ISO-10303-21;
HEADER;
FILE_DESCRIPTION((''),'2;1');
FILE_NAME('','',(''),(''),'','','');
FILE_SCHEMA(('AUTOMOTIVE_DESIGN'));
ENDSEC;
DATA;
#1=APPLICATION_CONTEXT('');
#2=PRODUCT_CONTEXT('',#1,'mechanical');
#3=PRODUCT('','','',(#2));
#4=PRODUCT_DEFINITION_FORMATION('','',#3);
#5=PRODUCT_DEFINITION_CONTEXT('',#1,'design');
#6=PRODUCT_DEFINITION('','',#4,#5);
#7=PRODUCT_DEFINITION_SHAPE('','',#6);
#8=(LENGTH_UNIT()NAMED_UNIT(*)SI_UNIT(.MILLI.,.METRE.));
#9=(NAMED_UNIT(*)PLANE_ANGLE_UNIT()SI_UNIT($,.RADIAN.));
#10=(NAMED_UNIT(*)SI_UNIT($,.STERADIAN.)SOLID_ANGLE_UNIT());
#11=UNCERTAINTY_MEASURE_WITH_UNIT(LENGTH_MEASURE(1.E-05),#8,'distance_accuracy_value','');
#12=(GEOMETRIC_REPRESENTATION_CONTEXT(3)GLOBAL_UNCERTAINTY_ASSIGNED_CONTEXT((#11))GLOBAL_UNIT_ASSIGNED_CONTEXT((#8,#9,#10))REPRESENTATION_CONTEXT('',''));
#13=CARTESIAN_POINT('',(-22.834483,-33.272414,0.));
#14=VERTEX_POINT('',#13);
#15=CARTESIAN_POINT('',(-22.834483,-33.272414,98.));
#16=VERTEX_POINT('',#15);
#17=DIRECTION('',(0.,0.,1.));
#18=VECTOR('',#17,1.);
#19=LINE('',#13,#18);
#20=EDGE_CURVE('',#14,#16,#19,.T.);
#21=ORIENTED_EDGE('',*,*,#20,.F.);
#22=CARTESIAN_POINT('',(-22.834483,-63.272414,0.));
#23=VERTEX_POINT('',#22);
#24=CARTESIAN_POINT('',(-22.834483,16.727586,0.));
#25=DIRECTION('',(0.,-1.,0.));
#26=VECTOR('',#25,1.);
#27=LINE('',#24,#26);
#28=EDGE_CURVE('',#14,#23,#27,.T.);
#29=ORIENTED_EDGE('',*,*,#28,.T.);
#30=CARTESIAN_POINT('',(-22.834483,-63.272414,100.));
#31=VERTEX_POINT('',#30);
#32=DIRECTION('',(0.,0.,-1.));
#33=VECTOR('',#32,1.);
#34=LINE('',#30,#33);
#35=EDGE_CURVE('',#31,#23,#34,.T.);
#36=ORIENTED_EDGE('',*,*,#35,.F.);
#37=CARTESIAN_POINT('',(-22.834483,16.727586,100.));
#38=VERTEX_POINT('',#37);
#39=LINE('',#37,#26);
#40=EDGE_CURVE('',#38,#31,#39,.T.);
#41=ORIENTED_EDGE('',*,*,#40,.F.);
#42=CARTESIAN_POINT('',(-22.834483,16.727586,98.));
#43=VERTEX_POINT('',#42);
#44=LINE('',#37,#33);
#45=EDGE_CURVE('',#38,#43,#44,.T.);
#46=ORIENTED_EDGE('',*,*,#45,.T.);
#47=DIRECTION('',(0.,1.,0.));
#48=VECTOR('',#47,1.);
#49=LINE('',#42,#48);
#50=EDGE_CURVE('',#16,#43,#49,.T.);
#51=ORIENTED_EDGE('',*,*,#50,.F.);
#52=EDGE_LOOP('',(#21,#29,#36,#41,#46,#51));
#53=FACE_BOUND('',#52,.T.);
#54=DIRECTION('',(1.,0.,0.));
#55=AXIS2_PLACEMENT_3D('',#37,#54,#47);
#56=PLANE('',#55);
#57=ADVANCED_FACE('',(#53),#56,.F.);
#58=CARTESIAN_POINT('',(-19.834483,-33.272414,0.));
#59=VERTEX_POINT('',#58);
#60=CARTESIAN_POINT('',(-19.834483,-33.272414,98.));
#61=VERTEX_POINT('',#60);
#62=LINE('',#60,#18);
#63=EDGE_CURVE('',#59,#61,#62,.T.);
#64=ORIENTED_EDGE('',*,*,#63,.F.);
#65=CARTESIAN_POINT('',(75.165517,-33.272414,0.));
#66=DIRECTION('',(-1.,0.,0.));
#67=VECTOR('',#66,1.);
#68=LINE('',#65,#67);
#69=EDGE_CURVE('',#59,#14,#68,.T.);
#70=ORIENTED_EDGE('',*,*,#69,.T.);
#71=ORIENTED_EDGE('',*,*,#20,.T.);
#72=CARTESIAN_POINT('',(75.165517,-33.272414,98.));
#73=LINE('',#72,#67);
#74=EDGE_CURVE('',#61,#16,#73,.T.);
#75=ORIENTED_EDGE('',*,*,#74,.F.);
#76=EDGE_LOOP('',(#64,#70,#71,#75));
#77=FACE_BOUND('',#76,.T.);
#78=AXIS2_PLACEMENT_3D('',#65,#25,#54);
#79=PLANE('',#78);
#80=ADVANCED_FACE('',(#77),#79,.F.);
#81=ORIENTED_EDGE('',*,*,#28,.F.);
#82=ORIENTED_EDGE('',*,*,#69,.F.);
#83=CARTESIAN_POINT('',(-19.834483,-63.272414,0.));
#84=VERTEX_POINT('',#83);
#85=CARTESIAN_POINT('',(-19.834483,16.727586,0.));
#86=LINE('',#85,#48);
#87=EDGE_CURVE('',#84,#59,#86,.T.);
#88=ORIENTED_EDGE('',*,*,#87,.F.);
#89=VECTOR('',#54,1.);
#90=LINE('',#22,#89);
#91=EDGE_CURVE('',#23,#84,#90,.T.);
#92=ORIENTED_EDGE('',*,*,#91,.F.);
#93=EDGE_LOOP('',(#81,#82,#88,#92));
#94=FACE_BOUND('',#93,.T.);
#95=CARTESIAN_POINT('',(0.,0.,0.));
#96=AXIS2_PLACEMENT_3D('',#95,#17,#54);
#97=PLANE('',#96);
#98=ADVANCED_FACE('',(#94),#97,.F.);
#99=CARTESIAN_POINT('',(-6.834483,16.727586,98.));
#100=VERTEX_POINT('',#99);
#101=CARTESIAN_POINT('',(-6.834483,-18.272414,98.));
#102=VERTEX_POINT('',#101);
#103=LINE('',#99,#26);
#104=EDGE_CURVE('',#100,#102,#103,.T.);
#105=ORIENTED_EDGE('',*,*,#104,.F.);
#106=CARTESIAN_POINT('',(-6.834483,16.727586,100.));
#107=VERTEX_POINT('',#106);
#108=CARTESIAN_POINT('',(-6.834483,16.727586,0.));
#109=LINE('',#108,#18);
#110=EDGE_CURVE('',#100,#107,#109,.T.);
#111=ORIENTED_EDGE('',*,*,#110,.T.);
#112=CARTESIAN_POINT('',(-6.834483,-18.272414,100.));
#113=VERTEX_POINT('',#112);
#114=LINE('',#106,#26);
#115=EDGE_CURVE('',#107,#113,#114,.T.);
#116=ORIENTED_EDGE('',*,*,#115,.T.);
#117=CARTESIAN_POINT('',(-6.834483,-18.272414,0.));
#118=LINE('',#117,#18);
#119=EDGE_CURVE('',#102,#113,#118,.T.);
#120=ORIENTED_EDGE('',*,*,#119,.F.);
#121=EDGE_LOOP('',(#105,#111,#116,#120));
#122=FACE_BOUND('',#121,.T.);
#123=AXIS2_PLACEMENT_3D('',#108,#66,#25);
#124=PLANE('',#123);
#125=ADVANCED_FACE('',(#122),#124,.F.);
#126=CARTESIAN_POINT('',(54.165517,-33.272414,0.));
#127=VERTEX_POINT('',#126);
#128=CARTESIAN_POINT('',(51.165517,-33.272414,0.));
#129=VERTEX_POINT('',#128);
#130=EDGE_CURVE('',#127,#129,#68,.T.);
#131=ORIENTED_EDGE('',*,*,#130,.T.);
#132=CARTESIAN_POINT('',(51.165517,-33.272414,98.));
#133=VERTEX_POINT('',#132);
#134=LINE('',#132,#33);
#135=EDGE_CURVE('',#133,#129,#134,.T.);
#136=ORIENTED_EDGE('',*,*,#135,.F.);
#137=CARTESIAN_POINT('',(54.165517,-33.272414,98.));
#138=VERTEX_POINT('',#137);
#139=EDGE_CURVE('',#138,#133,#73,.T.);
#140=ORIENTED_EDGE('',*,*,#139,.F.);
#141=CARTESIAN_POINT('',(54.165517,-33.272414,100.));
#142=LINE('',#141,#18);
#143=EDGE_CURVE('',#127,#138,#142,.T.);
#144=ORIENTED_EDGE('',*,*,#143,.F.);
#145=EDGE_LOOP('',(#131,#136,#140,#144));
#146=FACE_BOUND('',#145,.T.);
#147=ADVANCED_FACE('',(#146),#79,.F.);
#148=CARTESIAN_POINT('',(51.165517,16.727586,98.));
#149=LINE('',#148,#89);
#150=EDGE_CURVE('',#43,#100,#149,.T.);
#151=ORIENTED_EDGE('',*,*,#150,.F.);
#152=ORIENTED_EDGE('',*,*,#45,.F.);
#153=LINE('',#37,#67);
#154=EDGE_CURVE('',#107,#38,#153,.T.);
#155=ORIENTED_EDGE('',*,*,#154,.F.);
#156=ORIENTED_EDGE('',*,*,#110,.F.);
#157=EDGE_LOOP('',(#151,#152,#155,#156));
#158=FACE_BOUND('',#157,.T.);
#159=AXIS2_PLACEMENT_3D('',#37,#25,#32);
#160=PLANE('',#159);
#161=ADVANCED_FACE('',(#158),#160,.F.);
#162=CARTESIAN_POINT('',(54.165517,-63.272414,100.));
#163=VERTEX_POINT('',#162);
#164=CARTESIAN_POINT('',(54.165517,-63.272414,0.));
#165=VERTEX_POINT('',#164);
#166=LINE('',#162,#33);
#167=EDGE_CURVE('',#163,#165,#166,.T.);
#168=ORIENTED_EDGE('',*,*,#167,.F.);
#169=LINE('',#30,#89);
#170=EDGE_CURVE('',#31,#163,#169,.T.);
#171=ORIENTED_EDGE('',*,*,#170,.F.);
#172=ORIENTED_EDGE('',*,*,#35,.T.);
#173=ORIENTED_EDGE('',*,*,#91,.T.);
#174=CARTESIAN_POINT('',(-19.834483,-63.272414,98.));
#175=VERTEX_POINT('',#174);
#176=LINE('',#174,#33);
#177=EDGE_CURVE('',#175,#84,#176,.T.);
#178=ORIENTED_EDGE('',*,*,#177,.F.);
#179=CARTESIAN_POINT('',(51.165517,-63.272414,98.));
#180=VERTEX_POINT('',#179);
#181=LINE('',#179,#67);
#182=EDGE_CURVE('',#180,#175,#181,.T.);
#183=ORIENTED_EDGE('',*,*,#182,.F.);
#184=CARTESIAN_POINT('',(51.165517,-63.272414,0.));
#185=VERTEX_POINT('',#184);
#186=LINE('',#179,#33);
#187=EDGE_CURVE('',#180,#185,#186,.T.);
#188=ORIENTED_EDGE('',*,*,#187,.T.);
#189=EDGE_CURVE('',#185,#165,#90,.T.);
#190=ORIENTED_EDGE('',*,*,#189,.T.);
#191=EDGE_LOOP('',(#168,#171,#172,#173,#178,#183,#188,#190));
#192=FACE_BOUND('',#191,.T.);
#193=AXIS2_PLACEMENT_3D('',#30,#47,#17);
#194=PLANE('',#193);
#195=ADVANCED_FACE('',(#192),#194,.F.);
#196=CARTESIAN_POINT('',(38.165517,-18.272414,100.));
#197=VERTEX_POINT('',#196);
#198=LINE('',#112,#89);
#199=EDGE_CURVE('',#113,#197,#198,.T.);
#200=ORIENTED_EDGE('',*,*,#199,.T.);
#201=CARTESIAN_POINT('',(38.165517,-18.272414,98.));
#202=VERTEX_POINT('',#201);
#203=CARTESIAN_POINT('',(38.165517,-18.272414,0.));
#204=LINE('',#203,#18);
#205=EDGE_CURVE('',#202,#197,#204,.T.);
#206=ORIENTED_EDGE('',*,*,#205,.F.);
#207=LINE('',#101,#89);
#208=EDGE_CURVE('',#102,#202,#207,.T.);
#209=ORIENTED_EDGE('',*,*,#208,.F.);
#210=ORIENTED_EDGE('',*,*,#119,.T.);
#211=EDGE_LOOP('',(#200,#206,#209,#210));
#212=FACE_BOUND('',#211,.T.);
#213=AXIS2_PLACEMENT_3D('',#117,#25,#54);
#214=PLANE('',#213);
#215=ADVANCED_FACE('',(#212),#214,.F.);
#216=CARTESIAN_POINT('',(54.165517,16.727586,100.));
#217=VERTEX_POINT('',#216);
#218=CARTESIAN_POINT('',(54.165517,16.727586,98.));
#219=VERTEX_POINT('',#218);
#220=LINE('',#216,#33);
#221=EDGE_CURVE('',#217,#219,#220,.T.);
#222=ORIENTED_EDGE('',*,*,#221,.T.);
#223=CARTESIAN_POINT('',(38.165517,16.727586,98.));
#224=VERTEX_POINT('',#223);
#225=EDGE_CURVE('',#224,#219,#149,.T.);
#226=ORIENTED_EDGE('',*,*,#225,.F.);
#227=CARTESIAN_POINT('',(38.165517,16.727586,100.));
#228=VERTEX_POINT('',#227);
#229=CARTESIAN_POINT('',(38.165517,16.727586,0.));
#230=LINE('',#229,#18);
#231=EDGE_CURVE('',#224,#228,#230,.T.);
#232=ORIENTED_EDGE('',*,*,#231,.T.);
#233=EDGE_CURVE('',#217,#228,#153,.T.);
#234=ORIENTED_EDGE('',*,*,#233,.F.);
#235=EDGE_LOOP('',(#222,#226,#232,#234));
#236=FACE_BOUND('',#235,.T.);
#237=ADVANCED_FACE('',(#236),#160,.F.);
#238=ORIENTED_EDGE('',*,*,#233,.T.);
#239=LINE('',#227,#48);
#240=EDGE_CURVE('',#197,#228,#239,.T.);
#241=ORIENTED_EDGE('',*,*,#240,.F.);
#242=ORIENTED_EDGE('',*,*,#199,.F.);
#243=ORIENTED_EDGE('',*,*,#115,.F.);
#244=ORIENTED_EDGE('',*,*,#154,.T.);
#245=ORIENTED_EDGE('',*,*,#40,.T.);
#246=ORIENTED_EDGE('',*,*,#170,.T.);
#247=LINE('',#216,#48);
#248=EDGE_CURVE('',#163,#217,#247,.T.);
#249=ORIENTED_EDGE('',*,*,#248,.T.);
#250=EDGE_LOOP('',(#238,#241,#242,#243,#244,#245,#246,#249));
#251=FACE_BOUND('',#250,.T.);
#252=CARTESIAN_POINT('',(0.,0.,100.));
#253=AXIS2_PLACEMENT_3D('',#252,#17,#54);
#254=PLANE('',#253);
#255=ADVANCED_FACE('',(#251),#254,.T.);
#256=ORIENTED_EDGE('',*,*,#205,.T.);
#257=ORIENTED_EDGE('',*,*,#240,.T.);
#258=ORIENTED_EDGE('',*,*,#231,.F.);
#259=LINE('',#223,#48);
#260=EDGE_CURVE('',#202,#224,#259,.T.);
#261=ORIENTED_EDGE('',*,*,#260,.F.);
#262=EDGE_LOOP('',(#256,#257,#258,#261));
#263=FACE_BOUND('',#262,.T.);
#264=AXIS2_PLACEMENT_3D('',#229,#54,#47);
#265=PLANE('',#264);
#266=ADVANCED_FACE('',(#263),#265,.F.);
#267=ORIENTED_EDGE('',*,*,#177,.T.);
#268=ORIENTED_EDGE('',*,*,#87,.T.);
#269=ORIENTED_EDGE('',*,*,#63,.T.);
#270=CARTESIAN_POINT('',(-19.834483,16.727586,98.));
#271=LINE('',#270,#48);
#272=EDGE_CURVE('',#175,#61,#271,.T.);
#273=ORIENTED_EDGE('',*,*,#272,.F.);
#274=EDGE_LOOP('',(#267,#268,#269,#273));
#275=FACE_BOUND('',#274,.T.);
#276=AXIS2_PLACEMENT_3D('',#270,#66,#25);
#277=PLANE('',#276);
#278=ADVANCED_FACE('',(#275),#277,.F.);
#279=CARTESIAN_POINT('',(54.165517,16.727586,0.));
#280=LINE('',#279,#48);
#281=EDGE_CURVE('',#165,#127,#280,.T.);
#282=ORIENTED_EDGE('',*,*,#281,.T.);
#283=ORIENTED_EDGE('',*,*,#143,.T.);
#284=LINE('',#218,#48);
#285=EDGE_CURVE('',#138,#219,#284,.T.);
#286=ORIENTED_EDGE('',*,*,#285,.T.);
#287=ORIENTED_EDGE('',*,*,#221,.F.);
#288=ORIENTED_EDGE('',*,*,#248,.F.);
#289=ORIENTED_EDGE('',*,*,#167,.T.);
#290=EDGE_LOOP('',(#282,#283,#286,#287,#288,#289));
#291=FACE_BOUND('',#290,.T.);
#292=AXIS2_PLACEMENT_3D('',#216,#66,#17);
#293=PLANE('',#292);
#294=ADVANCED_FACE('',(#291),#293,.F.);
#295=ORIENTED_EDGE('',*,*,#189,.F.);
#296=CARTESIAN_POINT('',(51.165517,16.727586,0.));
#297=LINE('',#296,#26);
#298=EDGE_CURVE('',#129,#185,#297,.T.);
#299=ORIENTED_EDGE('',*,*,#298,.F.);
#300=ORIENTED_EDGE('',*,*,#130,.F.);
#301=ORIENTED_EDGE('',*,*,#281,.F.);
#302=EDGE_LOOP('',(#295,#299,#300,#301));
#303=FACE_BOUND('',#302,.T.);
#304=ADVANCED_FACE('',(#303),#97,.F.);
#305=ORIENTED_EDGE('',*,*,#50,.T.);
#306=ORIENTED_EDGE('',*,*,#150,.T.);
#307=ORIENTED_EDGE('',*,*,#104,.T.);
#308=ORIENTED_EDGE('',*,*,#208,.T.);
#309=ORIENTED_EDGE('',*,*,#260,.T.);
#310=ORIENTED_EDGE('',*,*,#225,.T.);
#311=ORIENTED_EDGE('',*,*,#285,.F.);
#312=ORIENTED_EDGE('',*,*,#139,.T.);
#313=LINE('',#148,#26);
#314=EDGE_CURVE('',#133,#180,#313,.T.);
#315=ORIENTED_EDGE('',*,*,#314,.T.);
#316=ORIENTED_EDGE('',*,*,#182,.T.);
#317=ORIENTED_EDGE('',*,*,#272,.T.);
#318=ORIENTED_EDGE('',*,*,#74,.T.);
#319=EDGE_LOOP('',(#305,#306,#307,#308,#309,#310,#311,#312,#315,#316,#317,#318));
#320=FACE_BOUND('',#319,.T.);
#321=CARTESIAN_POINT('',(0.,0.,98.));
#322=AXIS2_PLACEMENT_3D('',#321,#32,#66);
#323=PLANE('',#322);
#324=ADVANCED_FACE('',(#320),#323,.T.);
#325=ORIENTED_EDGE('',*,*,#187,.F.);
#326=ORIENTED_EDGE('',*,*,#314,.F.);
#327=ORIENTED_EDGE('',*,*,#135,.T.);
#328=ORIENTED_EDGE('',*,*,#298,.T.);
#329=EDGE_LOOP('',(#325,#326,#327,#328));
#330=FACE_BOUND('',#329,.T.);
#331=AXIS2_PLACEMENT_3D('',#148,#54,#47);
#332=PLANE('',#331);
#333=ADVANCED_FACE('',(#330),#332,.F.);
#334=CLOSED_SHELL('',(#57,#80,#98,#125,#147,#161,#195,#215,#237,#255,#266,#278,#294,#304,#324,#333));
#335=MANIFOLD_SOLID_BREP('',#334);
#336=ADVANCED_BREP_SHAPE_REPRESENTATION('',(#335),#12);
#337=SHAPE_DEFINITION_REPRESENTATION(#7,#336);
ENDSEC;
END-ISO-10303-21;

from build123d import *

# Parameters (mm, degrees)
SKETCH_1_W          = 77
SKETCH_1_H          = 80
EXTRUDE_1_DEPTH     = 100
SKETCH_2_W          = 45
SKETCH_2_H          = 35
CUT_EXTRUDE_1_DEPTH = 100
SKETCH_3_W          = 71
SKETCH_3_H          = 80
CUT_EXTRUDE_2_DEPTH = 98
SKETCH_5_W          = 98
SKETCH_5_H          = 50
CUT_EXTRUDE_3_DEPTH = 98


with BuildPart() as part:
    # 草图1 → 凸台-拉伸1 (new body)
    with BuildSketch(Plane.XY):
        with Locations((15.665517241, -23.272413793)):
            Rectangle(SKETCH_1_W, SKETCH_1_H)
    extrude(amount=EXTRUDE_1_DEPTH)

    # 草图2 → 切除-拉伸1 (cut)
    with BuildSketch(Plane.XY.offset(100)):
        with Locations((15.665517241, -0.772413793)):
            Rectangle(SKETCH_2_W, SKETCH_2_H)
    extrude(amount=-CUT_EXTRUDE_1_DEPTH, mode=Mode.SUBTRACT)

    # 草图3 → 切除-拉伸2 (cut)
    with BuildSketch(Plane(origin=(0, 0, 0), x_dir=(-1, 0, 0), z_dir=(0, 0, -1))):
        with Locations((-15.665517241, -23.272413793)):
            Rectangle(SKETCH_3_W, SKETCH_3_H)
    extrude(amount=-CUT_EXTRUDE_2_DEPTH, mode=Mode.SUBTRACT)

    # 草图5 → 切除-拉伸3 (cut)
    with BuildSketch(Plane.ZY.offset(22.834482759)):
        with Locations((49, -8.272413793)):
            Rectangle(SKETCH_5_W, SKETCH_5_H)
    extrude(amount=-CUT_EXTRUDE_3_DEPTH, mode=Mode.SUBTRACT)


solid = part.part
